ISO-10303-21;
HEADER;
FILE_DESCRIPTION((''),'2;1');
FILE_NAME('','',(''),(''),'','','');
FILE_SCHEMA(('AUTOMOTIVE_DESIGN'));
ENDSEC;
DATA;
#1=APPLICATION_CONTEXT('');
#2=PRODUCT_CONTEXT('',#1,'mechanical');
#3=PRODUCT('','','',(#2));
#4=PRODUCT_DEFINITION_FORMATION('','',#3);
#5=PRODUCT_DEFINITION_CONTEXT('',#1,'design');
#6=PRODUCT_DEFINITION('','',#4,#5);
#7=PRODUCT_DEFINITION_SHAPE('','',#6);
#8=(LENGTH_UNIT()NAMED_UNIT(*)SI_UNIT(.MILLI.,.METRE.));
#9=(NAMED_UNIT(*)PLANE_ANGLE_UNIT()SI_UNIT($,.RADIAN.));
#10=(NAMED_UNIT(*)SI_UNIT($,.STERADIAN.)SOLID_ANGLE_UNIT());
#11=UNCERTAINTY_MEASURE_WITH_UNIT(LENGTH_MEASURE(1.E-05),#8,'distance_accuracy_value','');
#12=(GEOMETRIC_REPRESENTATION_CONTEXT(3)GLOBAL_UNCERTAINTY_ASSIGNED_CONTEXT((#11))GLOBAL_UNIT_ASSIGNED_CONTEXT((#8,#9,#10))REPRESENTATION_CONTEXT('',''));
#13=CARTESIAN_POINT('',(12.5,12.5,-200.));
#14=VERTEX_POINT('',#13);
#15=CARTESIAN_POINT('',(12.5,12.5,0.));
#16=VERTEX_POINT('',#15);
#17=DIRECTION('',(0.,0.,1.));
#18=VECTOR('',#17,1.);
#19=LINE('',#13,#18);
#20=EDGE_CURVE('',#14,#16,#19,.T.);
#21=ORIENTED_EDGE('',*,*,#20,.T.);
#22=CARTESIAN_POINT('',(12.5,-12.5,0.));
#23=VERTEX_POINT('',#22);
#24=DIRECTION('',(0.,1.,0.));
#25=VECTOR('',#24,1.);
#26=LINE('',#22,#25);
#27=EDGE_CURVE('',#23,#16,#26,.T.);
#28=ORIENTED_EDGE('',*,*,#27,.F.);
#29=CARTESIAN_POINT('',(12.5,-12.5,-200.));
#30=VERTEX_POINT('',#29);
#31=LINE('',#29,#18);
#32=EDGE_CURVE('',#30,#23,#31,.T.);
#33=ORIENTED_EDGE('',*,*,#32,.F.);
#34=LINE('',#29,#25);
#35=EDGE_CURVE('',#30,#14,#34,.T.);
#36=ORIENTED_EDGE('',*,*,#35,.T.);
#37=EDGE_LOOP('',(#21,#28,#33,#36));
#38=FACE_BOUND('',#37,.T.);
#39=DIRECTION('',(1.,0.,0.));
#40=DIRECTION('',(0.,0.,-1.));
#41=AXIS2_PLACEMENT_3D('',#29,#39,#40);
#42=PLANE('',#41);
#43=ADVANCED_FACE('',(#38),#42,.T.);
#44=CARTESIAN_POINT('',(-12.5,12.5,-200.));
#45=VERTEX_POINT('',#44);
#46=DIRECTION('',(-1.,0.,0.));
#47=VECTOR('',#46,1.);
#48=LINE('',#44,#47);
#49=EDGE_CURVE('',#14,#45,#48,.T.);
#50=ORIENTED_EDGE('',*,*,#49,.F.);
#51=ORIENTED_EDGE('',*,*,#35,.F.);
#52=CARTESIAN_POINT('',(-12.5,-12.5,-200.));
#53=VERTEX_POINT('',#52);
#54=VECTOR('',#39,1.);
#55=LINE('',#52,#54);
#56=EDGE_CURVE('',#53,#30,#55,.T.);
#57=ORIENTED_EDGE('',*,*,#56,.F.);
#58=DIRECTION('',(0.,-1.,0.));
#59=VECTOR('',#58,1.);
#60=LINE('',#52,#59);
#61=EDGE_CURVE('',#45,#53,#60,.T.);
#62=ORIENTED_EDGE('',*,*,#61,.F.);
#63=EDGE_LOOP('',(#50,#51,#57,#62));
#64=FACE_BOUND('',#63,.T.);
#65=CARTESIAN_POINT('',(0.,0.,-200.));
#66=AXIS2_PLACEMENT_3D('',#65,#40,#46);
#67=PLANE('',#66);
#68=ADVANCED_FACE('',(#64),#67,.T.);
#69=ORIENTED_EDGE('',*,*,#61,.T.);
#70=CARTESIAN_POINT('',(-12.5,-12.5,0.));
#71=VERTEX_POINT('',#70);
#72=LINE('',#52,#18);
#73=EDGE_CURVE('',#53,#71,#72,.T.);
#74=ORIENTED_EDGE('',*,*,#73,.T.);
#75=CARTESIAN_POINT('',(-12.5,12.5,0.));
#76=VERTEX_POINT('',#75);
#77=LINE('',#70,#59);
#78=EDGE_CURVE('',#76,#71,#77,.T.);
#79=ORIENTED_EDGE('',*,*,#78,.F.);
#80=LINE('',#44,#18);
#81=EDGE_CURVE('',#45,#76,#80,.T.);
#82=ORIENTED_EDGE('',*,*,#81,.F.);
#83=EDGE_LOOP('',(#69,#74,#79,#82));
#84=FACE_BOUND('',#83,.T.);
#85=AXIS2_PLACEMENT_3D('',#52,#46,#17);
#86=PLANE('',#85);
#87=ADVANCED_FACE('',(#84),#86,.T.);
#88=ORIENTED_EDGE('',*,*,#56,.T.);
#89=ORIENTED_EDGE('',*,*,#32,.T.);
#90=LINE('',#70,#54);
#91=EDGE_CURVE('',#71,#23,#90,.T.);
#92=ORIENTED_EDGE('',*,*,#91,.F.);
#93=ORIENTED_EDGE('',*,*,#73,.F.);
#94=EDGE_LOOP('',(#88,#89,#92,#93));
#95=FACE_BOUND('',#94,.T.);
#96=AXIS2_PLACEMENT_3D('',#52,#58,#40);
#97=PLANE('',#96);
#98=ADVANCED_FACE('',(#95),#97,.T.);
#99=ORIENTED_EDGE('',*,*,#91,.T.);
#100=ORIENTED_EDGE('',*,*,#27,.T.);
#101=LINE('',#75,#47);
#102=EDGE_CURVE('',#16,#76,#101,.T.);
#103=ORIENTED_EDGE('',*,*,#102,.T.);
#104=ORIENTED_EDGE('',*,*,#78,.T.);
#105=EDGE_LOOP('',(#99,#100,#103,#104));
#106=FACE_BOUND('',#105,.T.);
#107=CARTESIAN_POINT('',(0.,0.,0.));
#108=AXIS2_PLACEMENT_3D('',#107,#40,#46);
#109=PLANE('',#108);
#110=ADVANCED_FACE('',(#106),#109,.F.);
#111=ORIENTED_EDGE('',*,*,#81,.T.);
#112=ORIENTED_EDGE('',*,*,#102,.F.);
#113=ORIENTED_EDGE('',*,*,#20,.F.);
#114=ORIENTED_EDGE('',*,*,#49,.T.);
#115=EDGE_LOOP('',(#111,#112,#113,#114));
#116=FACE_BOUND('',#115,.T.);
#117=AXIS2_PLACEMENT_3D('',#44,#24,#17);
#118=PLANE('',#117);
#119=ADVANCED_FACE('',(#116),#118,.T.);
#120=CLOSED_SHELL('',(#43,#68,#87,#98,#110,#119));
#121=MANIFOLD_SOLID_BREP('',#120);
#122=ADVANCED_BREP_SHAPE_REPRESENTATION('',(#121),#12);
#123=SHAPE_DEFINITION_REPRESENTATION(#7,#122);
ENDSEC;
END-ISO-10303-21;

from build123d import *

# Parameters (mm, degrees)
IZIM1_W                     = 25
IZIM1_H                     = 25
Y_KSEKLIK_EKSTR_ZYON1_DEPTH = 200


with BuildPart() as part:
    # Çizim1 → Yükseklik-Ekstrüzyon1 (new body)
    with BuildSketch(Plane.XY):
        Rectangle(IZIM1_W, IZIM1_H)
    extrude(amount=-Y_KSEKLIK_EKSTR_ZYON1_DEPTH)


solid = part.part
